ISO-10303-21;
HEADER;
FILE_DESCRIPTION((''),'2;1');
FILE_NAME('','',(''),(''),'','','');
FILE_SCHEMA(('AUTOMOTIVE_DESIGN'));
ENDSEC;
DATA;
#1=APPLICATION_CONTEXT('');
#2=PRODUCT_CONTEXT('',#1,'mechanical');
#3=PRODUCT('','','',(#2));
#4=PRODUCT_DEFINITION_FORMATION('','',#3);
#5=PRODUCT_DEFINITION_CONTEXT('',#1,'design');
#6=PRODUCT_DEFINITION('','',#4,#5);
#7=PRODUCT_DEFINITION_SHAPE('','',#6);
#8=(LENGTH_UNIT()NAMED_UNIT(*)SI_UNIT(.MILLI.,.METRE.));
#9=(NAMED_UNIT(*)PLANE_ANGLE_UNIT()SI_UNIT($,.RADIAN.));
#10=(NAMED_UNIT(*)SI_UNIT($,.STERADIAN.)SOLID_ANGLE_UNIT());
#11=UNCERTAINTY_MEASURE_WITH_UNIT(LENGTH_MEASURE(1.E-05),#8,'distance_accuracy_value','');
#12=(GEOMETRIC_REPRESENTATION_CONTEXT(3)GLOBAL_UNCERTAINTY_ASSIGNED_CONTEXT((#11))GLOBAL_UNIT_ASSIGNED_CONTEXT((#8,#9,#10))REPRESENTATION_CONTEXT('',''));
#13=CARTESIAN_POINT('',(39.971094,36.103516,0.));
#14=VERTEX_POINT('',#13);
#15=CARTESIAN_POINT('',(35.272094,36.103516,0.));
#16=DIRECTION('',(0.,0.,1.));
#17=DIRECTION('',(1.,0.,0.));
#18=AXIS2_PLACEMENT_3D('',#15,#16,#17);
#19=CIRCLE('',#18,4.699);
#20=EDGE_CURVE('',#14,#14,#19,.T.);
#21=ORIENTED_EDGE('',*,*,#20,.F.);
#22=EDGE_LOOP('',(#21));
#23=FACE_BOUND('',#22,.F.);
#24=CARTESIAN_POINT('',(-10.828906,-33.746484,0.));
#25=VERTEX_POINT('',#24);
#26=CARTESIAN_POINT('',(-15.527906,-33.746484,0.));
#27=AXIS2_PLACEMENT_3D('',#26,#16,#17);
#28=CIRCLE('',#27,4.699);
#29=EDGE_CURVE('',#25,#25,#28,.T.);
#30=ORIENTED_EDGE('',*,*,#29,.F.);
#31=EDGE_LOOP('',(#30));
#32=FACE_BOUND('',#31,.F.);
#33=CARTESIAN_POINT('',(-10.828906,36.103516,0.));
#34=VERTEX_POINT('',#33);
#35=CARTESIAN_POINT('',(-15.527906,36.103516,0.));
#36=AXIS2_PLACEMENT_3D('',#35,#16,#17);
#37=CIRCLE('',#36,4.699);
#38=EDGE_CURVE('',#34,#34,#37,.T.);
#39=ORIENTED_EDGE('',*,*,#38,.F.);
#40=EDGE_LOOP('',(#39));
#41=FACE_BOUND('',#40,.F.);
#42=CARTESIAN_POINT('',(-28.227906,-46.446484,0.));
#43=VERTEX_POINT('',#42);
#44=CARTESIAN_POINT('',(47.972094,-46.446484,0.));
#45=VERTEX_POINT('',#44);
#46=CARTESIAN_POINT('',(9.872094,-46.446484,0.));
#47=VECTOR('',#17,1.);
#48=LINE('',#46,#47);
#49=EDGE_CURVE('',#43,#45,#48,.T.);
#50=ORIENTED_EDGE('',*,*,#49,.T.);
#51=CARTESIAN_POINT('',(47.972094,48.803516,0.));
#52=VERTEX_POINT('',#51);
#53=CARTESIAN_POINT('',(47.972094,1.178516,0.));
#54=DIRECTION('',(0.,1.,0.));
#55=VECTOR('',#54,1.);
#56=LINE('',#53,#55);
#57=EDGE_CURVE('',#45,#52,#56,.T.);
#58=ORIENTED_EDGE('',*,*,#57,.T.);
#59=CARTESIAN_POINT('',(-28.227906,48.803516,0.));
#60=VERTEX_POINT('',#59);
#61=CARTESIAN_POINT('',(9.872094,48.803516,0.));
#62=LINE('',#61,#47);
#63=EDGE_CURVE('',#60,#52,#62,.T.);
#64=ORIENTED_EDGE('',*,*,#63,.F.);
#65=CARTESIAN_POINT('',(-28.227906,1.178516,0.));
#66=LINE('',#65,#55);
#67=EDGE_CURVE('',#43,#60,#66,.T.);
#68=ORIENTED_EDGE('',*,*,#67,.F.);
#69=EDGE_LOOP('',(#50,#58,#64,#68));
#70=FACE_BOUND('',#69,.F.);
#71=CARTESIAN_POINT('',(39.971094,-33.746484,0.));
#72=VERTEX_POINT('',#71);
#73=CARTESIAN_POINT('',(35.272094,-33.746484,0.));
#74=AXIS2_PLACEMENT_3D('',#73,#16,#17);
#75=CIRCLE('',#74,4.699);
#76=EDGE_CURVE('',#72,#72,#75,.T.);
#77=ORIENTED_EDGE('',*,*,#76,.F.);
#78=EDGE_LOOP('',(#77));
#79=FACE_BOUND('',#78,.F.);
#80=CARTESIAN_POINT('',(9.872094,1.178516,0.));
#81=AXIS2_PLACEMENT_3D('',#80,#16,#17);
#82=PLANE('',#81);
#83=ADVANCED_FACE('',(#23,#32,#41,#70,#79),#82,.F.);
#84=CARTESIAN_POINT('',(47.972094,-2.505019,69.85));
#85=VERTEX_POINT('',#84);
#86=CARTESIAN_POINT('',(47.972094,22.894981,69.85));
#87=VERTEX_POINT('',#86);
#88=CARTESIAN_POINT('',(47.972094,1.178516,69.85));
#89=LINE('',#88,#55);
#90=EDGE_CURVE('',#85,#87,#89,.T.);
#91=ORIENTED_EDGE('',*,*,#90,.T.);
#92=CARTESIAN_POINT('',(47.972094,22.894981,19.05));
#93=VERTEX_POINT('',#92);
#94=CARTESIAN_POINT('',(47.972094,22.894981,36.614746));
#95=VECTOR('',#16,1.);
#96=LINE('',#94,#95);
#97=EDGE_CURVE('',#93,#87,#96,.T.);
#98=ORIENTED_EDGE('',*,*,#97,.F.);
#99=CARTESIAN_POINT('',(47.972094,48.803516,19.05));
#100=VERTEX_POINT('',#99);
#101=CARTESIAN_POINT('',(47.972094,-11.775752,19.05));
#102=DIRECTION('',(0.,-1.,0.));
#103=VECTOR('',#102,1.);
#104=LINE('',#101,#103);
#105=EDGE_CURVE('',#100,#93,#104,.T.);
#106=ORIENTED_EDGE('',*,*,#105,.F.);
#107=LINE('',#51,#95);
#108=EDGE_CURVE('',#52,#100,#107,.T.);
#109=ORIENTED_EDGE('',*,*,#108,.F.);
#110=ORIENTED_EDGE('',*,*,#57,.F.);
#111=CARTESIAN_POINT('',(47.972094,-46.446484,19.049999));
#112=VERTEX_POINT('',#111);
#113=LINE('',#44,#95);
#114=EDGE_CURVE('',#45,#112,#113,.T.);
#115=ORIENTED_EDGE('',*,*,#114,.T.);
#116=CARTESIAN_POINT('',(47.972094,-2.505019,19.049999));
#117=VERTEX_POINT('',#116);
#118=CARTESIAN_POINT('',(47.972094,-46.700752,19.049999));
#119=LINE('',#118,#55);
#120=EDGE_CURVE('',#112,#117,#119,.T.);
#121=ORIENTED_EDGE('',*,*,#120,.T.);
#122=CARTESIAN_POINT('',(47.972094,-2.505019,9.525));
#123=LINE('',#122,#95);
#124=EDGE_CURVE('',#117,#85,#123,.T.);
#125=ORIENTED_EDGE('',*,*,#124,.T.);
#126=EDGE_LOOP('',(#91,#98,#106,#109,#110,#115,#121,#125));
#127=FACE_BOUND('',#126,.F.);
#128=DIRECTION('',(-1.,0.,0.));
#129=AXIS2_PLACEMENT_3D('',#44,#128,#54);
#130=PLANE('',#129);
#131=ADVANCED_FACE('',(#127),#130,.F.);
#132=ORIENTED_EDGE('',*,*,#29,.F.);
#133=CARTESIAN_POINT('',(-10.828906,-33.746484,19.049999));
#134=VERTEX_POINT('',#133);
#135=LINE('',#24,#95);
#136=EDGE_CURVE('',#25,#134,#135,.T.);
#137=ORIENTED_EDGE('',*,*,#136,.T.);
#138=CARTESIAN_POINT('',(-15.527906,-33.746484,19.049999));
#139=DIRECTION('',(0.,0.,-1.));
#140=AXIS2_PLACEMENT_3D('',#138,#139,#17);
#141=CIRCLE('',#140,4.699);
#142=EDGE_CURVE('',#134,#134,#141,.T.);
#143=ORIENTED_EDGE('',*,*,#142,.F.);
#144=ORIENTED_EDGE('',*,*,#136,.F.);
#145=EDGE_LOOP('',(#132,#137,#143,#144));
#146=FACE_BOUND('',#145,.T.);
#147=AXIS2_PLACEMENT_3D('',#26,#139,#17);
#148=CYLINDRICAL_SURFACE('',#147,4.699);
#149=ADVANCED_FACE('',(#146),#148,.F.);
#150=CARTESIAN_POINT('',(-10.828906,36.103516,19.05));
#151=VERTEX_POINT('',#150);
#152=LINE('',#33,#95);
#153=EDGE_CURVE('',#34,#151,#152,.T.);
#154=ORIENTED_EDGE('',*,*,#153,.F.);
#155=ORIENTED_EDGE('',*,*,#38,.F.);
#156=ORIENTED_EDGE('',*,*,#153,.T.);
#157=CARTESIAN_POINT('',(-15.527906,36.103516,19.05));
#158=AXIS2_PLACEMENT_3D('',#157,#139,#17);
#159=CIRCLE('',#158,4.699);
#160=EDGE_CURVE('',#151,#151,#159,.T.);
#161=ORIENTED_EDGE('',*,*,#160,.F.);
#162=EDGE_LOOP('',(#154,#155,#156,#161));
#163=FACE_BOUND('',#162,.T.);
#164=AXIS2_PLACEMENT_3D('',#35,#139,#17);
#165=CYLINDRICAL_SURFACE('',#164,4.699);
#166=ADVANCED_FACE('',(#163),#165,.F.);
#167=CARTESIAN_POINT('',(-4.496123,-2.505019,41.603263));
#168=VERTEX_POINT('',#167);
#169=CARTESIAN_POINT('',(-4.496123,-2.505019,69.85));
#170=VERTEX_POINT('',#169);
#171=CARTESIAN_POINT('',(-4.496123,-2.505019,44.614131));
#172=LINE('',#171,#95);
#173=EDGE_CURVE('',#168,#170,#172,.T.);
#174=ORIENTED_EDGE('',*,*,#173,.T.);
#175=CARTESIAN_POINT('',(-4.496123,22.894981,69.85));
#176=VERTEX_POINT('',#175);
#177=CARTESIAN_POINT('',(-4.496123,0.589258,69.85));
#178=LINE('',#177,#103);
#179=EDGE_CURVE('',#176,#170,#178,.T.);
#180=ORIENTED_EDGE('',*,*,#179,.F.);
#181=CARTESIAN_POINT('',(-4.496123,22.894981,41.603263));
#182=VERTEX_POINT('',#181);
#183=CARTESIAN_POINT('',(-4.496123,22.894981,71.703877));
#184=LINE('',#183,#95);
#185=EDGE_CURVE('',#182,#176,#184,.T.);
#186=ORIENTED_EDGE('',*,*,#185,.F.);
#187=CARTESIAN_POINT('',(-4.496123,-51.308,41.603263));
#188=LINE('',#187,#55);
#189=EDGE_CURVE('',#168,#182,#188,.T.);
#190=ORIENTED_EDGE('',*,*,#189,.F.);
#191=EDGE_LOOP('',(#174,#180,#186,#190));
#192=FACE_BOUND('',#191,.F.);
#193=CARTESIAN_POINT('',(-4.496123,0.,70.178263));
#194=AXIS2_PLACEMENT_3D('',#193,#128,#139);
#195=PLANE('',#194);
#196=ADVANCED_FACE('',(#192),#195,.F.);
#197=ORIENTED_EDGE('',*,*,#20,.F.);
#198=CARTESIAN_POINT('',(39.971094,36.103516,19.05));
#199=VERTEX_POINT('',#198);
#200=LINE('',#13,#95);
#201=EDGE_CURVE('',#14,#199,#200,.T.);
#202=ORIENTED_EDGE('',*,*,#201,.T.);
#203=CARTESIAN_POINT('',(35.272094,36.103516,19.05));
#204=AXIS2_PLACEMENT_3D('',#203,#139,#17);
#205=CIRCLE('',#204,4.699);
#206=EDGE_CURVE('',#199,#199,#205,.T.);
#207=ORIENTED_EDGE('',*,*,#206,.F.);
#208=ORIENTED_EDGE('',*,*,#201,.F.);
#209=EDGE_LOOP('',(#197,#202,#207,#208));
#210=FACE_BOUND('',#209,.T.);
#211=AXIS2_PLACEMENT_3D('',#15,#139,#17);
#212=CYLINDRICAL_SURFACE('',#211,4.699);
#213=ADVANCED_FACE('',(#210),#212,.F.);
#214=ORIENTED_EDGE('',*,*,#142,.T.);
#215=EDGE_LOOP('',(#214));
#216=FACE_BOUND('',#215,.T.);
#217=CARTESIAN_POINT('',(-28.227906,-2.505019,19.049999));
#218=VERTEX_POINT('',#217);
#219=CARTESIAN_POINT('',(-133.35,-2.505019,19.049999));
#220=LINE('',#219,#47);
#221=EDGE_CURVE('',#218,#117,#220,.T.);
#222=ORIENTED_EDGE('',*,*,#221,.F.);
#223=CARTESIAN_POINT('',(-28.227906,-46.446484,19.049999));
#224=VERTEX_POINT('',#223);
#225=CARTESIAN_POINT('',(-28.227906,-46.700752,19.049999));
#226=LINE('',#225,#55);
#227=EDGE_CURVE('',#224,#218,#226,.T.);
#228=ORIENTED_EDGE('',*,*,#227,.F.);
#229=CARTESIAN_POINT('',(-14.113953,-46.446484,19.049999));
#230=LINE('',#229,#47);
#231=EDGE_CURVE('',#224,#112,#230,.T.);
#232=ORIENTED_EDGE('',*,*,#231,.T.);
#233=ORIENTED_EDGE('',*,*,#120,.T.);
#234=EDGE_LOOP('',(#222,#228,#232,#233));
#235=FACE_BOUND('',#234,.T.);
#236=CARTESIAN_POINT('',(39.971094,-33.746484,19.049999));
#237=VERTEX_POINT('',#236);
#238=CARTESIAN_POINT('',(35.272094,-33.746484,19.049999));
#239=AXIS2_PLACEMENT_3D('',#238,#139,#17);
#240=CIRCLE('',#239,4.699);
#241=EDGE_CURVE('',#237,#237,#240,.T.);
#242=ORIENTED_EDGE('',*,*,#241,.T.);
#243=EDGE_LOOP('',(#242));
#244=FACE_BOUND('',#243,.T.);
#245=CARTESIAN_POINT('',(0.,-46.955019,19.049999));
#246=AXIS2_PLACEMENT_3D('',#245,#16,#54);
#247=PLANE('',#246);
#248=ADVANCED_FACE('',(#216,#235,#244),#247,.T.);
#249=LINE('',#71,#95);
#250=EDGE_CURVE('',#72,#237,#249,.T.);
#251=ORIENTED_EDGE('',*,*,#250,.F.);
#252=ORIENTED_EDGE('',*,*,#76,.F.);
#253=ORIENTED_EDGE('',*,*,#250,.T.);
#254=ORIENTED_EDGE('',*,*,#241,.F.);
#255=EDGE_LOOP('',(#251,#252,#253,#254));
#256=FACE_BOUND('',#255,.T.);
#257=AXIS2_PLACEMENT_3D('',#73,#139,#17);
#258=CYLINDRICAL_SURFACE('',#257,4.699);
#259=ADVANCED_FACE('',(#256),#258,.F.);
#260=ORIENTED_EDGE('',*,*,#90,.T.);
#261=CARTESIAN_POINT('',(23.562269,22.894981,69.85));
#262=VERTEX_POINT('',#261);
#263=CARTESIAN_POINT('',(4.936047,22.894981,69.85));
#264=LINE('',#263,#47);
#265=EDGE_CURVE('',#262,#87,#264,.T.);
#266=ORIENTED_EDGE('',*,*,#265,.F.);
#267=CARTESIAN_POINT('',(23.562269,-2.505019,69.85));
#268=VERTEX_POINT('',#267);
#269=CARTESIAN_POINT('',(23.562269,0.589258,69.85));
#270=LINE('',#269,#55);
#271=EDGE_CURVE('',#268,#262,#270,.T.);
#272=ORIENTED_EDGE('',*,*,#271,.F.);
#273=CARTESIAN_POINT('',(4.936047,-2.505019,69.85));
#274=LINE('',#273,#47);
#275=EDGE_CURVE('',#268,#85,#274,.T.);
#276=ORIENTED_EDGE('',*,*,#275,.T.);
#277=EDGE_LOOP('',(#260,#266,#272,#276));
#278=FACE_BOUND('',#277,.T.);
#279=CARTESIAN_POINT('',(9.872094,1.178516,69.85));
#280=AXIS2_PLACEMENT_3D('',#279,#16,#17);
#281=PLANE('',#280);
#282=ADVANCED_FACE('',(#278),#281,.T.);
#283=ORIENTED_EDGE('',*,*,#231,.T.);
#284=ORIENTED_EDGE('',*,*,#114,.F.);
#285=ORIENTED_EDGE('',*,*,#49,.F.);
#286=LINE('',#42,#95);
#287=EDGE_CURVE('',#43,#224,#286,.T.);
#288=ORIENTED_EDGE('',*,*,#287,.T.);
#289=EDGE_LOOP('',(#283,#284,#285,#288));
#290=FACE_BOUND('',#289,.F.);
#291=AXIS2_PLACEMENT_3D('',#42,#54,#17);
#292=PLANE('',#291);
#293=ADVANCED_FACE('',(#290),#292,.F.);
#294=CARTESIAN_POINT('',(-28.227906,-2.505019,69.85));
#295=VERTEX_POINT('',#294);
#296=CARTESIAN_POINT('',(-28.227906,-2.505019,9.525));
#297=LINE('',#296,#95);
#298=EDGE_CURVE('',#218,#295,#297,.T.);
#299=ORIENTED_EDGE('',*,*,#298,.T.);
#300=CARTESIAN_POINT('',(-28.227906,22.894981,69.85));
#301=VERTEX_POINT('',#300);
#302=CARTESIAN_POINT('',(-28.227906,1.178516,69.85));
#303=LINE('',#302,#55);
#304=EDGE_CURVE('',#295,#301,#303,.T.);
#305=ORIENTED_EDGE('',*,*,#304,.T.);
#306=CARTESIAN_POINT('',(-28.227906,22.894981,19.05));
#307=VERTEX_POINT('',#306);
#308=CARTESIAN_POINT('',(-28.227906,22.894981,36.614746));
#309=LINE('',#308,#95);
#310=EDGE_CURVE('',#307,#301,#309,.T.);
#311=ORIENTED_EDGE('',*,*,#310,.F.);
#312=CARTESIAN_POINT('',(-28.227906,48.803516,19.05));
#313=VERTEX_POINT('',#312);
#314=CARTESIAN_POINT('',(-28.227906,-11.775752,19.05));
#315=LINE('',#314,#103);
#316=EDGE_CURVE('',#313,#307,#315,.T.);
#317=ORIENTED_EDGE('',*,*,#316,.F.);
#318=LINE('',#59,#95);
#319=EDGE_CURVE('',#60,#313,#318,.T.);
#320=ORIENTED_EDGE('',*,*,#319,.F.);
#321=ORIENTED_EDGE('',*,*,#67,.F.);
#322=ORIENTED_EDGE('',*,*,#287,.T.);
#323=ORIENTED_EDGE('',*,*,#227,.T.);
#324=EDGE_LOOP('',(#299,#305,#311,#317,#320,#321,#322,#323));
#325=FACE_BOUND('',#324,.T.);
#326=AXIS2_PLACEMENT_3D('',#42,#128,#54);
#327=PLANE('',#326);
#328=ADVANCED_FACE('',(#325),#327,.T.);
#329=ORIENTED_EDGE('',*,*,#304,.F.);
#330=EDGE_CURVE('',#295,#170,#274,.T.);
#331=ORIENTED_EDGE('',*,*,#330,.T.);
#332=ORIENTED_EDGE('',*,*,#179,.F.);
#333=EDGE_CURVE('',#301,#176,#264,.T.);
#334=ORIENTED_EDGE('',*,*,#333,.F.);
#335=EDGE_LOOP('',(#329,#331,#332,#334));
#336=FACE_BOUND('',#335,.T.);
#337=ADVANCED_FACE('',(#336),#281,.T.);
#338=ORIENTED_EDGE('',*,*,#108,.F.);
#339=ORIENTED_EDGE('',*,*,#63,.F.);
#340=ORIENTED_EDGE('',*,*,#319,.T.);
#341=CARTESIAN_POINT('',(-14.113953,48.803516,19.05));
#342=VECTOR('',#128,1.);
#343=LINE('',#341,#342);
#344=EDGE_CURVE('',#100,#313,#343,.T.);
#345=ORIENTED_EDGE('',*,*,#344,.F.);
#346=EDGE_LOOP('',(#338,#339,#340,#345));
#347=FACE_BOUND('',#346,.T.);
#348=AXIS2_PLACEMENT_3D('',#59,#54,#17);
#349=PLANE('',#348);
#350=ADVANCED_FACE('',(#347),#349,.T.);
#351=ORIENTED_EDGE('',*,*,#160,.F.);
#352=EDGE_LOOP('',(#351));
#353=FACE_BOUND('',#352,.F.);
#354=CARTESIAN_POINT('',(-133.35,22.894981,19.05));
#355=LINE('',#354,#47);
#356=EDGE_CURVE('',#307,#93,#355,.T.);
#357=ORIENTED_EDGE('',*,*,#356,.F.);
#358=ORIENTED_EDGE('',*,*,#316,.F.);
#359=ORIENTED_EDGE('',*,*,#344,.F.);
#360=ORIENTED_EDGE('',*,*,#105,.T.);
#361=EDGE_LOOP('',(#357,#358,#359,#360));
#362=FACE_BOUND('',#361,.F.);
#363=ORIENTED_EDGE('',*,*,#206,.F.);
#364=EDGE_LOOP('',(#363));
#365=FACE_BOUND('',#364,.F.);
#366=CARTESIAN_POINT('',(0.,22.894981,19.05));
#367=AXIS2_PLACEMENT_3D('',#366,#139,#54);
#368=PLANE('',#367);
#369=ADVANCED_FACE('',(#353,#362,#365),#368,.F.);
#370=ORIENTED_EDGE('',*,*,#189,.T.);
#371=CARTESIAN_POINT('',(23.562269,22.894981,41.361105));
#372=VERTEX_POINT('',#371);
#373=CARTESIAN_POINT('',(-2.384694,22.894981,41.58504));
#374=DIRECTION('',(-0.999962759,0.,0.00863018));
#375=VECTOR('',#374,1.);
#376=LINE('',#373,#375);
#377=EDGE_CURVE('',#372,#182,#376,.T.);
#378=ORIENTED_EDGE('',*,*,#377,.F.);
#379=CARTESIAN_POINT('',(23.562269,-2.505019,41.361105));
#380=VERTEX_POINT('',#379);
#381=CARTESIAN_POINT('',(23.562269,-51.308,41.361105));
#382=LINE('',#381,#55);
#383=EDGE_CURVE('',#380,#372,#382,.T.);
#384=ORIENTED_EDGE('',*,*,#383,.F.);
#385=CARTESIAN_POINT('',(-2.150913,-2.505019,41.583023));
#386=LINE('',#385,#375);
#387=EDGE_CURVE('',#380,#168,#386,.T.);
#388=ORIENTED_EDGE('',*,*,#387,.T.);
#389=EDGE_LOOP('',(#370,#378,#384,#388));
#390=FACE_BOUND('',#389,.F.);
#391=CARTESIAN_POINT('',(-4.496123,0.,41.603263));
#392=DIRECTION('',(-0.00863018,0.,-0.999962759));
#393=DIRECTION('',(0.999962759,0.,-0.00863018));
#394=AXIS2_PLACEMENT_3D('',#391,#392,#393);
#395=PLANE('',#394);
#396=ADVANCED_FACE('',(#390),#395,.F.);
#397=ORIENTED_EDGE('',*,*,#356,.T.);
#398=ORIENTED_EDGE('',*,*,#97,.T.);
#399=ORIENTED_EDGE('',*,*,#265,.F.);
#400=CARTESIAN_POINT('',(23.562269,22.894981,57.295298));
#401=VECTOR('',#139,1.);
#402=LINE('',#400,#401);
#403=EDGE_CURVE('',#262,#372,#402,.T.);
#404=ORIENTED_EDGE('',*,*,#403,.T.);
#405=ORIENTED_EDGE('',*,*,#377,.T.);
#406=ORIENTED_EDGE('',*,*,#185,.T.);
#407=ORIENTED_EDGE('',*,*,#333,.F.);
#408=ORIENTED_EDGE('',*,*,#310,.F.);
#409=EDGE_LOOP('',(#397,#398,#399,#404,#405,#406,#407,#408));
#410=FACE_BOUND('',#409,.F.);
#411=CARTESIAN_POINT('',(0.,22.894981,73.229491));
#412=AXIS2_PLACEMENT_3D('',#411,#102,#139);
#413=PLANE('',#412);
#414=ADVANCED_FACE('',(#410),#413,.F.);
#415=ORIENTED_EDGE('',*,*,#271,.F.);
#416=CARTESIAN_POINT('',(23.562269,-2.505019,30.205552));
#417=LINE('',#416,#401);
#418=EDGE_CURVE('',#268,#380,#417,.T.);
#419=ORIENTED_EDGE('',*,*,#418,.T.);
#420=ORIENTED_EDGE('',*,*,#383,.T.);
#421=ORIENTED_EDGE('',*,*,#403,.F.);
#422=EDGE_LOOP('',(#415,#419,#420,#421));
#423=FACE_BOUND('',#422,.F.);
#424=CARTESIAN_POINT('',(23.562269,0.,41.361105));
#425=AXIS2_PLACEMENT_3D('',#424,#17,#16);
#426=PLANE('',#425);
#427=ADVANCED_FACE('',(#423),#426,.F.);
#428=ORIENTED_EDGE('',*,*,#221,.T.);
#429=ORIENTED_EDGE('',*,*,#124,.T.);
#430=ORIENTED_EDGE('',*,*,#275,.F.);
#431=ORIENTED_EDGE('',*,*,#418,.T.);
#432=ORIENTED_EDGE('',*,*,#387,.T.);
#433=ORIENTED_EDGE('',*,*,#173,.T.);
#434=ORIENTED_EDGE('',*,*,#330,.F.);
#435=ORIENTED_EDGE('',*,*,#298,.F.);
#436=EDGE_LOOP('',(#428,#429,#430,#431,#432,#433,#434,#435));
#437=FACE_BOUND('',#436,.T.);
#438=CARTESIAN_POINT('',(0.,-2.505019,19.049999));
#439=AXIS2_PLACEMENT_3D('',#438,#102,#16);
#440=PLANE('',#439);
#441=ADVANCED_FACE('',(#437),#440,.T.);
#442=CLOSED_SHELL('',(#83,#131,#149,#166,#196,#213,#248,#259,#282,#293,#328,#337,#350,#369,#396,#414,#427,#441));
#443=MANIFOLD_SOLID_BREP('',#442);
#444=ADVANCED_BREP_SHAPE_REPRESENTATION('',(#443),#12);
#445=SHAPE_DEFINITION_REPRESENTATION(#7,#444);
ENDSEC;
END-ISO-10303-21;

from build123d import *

# Parameters (mm, degrees)
F0_W     = 76.2
F0_H     = 95.25
F1_DEPTH = 69.85
F3_DEPTH = 51.308
F4_W     = 44.45
F4_H     = 50.789239
F4_H_2   = 3.390253
F4_W_2   = 28.497008
F5_DEPTH = 133.35
F6_R     = 4.699
F7_DEPTH = 164.846


with BuildPart() as f1:
    # F0 (on Top) → F1 (new body)
    with BuildSketch(Plane.XY):
        with Locations((9.872094, 1.178516)):
            Rectangle(F0_W, F0_H)
    extrude(amount=F1_DEPTH)

    # F2 (on Front) → F3 (cut, symmetric)
    with BuildSketch(Plane.XZ):
        Polygon((23.562269, 41.361105), (23.562269, 69.936105), (-4.496123, 70.178263), (-4.496123, 41.603263), align=None)
    extrude(amount=F3_DEPTH, both=True, mode=Mode.SUBTRACT)

    # F4 (on Right) → F5 (cut, symmetric)
    with BuildSketch(Plane.YZ):
        with Locations((-24.730019, 44.444619)):
            Rectangle(F4_W, F4_H)
        Polygon((-52.010767, 19.05), (-46.955019, 19.05), (-46.955019, 69.839239), (-46.955019, 73.229492), (-52.010767, 73.229492), align=None)
        with Locations((-24.730019, 71.534365)):
            Rectangle(F4_W, F4_H_2)
        Polygon((51.391989, 69.839239), (22.894981, 69.839239), (22.894981, 19.05), (48.294981, 19.05), (51.391989, 19.05), align=None)
        with Locations((37.143485, 71.534365)):
            Rectangle(F4_W_2, F4_H_2)
    extrude(amount=F5_DEPTH, both=True, mode=Mode.SUBTRACT)

    # F6 (on Top) → F7 (cut)
    with BuildSketch(Plane.XY):
        with Locations((-15.527906, 36.103516)):
            Circle(F6_R)
        with Locations((35.272094, 36.103516)):
            Circle(F6_R)
        with Locations((-15.527906, -33.746484)):
            Circle(F6_R)
        with Locations((35.272094, -33.746484)):
            Circle(F6_R)
    extrude(amount=F7_DEPTH, mode=Mode.SUBTRACT)


solid = f1.part
